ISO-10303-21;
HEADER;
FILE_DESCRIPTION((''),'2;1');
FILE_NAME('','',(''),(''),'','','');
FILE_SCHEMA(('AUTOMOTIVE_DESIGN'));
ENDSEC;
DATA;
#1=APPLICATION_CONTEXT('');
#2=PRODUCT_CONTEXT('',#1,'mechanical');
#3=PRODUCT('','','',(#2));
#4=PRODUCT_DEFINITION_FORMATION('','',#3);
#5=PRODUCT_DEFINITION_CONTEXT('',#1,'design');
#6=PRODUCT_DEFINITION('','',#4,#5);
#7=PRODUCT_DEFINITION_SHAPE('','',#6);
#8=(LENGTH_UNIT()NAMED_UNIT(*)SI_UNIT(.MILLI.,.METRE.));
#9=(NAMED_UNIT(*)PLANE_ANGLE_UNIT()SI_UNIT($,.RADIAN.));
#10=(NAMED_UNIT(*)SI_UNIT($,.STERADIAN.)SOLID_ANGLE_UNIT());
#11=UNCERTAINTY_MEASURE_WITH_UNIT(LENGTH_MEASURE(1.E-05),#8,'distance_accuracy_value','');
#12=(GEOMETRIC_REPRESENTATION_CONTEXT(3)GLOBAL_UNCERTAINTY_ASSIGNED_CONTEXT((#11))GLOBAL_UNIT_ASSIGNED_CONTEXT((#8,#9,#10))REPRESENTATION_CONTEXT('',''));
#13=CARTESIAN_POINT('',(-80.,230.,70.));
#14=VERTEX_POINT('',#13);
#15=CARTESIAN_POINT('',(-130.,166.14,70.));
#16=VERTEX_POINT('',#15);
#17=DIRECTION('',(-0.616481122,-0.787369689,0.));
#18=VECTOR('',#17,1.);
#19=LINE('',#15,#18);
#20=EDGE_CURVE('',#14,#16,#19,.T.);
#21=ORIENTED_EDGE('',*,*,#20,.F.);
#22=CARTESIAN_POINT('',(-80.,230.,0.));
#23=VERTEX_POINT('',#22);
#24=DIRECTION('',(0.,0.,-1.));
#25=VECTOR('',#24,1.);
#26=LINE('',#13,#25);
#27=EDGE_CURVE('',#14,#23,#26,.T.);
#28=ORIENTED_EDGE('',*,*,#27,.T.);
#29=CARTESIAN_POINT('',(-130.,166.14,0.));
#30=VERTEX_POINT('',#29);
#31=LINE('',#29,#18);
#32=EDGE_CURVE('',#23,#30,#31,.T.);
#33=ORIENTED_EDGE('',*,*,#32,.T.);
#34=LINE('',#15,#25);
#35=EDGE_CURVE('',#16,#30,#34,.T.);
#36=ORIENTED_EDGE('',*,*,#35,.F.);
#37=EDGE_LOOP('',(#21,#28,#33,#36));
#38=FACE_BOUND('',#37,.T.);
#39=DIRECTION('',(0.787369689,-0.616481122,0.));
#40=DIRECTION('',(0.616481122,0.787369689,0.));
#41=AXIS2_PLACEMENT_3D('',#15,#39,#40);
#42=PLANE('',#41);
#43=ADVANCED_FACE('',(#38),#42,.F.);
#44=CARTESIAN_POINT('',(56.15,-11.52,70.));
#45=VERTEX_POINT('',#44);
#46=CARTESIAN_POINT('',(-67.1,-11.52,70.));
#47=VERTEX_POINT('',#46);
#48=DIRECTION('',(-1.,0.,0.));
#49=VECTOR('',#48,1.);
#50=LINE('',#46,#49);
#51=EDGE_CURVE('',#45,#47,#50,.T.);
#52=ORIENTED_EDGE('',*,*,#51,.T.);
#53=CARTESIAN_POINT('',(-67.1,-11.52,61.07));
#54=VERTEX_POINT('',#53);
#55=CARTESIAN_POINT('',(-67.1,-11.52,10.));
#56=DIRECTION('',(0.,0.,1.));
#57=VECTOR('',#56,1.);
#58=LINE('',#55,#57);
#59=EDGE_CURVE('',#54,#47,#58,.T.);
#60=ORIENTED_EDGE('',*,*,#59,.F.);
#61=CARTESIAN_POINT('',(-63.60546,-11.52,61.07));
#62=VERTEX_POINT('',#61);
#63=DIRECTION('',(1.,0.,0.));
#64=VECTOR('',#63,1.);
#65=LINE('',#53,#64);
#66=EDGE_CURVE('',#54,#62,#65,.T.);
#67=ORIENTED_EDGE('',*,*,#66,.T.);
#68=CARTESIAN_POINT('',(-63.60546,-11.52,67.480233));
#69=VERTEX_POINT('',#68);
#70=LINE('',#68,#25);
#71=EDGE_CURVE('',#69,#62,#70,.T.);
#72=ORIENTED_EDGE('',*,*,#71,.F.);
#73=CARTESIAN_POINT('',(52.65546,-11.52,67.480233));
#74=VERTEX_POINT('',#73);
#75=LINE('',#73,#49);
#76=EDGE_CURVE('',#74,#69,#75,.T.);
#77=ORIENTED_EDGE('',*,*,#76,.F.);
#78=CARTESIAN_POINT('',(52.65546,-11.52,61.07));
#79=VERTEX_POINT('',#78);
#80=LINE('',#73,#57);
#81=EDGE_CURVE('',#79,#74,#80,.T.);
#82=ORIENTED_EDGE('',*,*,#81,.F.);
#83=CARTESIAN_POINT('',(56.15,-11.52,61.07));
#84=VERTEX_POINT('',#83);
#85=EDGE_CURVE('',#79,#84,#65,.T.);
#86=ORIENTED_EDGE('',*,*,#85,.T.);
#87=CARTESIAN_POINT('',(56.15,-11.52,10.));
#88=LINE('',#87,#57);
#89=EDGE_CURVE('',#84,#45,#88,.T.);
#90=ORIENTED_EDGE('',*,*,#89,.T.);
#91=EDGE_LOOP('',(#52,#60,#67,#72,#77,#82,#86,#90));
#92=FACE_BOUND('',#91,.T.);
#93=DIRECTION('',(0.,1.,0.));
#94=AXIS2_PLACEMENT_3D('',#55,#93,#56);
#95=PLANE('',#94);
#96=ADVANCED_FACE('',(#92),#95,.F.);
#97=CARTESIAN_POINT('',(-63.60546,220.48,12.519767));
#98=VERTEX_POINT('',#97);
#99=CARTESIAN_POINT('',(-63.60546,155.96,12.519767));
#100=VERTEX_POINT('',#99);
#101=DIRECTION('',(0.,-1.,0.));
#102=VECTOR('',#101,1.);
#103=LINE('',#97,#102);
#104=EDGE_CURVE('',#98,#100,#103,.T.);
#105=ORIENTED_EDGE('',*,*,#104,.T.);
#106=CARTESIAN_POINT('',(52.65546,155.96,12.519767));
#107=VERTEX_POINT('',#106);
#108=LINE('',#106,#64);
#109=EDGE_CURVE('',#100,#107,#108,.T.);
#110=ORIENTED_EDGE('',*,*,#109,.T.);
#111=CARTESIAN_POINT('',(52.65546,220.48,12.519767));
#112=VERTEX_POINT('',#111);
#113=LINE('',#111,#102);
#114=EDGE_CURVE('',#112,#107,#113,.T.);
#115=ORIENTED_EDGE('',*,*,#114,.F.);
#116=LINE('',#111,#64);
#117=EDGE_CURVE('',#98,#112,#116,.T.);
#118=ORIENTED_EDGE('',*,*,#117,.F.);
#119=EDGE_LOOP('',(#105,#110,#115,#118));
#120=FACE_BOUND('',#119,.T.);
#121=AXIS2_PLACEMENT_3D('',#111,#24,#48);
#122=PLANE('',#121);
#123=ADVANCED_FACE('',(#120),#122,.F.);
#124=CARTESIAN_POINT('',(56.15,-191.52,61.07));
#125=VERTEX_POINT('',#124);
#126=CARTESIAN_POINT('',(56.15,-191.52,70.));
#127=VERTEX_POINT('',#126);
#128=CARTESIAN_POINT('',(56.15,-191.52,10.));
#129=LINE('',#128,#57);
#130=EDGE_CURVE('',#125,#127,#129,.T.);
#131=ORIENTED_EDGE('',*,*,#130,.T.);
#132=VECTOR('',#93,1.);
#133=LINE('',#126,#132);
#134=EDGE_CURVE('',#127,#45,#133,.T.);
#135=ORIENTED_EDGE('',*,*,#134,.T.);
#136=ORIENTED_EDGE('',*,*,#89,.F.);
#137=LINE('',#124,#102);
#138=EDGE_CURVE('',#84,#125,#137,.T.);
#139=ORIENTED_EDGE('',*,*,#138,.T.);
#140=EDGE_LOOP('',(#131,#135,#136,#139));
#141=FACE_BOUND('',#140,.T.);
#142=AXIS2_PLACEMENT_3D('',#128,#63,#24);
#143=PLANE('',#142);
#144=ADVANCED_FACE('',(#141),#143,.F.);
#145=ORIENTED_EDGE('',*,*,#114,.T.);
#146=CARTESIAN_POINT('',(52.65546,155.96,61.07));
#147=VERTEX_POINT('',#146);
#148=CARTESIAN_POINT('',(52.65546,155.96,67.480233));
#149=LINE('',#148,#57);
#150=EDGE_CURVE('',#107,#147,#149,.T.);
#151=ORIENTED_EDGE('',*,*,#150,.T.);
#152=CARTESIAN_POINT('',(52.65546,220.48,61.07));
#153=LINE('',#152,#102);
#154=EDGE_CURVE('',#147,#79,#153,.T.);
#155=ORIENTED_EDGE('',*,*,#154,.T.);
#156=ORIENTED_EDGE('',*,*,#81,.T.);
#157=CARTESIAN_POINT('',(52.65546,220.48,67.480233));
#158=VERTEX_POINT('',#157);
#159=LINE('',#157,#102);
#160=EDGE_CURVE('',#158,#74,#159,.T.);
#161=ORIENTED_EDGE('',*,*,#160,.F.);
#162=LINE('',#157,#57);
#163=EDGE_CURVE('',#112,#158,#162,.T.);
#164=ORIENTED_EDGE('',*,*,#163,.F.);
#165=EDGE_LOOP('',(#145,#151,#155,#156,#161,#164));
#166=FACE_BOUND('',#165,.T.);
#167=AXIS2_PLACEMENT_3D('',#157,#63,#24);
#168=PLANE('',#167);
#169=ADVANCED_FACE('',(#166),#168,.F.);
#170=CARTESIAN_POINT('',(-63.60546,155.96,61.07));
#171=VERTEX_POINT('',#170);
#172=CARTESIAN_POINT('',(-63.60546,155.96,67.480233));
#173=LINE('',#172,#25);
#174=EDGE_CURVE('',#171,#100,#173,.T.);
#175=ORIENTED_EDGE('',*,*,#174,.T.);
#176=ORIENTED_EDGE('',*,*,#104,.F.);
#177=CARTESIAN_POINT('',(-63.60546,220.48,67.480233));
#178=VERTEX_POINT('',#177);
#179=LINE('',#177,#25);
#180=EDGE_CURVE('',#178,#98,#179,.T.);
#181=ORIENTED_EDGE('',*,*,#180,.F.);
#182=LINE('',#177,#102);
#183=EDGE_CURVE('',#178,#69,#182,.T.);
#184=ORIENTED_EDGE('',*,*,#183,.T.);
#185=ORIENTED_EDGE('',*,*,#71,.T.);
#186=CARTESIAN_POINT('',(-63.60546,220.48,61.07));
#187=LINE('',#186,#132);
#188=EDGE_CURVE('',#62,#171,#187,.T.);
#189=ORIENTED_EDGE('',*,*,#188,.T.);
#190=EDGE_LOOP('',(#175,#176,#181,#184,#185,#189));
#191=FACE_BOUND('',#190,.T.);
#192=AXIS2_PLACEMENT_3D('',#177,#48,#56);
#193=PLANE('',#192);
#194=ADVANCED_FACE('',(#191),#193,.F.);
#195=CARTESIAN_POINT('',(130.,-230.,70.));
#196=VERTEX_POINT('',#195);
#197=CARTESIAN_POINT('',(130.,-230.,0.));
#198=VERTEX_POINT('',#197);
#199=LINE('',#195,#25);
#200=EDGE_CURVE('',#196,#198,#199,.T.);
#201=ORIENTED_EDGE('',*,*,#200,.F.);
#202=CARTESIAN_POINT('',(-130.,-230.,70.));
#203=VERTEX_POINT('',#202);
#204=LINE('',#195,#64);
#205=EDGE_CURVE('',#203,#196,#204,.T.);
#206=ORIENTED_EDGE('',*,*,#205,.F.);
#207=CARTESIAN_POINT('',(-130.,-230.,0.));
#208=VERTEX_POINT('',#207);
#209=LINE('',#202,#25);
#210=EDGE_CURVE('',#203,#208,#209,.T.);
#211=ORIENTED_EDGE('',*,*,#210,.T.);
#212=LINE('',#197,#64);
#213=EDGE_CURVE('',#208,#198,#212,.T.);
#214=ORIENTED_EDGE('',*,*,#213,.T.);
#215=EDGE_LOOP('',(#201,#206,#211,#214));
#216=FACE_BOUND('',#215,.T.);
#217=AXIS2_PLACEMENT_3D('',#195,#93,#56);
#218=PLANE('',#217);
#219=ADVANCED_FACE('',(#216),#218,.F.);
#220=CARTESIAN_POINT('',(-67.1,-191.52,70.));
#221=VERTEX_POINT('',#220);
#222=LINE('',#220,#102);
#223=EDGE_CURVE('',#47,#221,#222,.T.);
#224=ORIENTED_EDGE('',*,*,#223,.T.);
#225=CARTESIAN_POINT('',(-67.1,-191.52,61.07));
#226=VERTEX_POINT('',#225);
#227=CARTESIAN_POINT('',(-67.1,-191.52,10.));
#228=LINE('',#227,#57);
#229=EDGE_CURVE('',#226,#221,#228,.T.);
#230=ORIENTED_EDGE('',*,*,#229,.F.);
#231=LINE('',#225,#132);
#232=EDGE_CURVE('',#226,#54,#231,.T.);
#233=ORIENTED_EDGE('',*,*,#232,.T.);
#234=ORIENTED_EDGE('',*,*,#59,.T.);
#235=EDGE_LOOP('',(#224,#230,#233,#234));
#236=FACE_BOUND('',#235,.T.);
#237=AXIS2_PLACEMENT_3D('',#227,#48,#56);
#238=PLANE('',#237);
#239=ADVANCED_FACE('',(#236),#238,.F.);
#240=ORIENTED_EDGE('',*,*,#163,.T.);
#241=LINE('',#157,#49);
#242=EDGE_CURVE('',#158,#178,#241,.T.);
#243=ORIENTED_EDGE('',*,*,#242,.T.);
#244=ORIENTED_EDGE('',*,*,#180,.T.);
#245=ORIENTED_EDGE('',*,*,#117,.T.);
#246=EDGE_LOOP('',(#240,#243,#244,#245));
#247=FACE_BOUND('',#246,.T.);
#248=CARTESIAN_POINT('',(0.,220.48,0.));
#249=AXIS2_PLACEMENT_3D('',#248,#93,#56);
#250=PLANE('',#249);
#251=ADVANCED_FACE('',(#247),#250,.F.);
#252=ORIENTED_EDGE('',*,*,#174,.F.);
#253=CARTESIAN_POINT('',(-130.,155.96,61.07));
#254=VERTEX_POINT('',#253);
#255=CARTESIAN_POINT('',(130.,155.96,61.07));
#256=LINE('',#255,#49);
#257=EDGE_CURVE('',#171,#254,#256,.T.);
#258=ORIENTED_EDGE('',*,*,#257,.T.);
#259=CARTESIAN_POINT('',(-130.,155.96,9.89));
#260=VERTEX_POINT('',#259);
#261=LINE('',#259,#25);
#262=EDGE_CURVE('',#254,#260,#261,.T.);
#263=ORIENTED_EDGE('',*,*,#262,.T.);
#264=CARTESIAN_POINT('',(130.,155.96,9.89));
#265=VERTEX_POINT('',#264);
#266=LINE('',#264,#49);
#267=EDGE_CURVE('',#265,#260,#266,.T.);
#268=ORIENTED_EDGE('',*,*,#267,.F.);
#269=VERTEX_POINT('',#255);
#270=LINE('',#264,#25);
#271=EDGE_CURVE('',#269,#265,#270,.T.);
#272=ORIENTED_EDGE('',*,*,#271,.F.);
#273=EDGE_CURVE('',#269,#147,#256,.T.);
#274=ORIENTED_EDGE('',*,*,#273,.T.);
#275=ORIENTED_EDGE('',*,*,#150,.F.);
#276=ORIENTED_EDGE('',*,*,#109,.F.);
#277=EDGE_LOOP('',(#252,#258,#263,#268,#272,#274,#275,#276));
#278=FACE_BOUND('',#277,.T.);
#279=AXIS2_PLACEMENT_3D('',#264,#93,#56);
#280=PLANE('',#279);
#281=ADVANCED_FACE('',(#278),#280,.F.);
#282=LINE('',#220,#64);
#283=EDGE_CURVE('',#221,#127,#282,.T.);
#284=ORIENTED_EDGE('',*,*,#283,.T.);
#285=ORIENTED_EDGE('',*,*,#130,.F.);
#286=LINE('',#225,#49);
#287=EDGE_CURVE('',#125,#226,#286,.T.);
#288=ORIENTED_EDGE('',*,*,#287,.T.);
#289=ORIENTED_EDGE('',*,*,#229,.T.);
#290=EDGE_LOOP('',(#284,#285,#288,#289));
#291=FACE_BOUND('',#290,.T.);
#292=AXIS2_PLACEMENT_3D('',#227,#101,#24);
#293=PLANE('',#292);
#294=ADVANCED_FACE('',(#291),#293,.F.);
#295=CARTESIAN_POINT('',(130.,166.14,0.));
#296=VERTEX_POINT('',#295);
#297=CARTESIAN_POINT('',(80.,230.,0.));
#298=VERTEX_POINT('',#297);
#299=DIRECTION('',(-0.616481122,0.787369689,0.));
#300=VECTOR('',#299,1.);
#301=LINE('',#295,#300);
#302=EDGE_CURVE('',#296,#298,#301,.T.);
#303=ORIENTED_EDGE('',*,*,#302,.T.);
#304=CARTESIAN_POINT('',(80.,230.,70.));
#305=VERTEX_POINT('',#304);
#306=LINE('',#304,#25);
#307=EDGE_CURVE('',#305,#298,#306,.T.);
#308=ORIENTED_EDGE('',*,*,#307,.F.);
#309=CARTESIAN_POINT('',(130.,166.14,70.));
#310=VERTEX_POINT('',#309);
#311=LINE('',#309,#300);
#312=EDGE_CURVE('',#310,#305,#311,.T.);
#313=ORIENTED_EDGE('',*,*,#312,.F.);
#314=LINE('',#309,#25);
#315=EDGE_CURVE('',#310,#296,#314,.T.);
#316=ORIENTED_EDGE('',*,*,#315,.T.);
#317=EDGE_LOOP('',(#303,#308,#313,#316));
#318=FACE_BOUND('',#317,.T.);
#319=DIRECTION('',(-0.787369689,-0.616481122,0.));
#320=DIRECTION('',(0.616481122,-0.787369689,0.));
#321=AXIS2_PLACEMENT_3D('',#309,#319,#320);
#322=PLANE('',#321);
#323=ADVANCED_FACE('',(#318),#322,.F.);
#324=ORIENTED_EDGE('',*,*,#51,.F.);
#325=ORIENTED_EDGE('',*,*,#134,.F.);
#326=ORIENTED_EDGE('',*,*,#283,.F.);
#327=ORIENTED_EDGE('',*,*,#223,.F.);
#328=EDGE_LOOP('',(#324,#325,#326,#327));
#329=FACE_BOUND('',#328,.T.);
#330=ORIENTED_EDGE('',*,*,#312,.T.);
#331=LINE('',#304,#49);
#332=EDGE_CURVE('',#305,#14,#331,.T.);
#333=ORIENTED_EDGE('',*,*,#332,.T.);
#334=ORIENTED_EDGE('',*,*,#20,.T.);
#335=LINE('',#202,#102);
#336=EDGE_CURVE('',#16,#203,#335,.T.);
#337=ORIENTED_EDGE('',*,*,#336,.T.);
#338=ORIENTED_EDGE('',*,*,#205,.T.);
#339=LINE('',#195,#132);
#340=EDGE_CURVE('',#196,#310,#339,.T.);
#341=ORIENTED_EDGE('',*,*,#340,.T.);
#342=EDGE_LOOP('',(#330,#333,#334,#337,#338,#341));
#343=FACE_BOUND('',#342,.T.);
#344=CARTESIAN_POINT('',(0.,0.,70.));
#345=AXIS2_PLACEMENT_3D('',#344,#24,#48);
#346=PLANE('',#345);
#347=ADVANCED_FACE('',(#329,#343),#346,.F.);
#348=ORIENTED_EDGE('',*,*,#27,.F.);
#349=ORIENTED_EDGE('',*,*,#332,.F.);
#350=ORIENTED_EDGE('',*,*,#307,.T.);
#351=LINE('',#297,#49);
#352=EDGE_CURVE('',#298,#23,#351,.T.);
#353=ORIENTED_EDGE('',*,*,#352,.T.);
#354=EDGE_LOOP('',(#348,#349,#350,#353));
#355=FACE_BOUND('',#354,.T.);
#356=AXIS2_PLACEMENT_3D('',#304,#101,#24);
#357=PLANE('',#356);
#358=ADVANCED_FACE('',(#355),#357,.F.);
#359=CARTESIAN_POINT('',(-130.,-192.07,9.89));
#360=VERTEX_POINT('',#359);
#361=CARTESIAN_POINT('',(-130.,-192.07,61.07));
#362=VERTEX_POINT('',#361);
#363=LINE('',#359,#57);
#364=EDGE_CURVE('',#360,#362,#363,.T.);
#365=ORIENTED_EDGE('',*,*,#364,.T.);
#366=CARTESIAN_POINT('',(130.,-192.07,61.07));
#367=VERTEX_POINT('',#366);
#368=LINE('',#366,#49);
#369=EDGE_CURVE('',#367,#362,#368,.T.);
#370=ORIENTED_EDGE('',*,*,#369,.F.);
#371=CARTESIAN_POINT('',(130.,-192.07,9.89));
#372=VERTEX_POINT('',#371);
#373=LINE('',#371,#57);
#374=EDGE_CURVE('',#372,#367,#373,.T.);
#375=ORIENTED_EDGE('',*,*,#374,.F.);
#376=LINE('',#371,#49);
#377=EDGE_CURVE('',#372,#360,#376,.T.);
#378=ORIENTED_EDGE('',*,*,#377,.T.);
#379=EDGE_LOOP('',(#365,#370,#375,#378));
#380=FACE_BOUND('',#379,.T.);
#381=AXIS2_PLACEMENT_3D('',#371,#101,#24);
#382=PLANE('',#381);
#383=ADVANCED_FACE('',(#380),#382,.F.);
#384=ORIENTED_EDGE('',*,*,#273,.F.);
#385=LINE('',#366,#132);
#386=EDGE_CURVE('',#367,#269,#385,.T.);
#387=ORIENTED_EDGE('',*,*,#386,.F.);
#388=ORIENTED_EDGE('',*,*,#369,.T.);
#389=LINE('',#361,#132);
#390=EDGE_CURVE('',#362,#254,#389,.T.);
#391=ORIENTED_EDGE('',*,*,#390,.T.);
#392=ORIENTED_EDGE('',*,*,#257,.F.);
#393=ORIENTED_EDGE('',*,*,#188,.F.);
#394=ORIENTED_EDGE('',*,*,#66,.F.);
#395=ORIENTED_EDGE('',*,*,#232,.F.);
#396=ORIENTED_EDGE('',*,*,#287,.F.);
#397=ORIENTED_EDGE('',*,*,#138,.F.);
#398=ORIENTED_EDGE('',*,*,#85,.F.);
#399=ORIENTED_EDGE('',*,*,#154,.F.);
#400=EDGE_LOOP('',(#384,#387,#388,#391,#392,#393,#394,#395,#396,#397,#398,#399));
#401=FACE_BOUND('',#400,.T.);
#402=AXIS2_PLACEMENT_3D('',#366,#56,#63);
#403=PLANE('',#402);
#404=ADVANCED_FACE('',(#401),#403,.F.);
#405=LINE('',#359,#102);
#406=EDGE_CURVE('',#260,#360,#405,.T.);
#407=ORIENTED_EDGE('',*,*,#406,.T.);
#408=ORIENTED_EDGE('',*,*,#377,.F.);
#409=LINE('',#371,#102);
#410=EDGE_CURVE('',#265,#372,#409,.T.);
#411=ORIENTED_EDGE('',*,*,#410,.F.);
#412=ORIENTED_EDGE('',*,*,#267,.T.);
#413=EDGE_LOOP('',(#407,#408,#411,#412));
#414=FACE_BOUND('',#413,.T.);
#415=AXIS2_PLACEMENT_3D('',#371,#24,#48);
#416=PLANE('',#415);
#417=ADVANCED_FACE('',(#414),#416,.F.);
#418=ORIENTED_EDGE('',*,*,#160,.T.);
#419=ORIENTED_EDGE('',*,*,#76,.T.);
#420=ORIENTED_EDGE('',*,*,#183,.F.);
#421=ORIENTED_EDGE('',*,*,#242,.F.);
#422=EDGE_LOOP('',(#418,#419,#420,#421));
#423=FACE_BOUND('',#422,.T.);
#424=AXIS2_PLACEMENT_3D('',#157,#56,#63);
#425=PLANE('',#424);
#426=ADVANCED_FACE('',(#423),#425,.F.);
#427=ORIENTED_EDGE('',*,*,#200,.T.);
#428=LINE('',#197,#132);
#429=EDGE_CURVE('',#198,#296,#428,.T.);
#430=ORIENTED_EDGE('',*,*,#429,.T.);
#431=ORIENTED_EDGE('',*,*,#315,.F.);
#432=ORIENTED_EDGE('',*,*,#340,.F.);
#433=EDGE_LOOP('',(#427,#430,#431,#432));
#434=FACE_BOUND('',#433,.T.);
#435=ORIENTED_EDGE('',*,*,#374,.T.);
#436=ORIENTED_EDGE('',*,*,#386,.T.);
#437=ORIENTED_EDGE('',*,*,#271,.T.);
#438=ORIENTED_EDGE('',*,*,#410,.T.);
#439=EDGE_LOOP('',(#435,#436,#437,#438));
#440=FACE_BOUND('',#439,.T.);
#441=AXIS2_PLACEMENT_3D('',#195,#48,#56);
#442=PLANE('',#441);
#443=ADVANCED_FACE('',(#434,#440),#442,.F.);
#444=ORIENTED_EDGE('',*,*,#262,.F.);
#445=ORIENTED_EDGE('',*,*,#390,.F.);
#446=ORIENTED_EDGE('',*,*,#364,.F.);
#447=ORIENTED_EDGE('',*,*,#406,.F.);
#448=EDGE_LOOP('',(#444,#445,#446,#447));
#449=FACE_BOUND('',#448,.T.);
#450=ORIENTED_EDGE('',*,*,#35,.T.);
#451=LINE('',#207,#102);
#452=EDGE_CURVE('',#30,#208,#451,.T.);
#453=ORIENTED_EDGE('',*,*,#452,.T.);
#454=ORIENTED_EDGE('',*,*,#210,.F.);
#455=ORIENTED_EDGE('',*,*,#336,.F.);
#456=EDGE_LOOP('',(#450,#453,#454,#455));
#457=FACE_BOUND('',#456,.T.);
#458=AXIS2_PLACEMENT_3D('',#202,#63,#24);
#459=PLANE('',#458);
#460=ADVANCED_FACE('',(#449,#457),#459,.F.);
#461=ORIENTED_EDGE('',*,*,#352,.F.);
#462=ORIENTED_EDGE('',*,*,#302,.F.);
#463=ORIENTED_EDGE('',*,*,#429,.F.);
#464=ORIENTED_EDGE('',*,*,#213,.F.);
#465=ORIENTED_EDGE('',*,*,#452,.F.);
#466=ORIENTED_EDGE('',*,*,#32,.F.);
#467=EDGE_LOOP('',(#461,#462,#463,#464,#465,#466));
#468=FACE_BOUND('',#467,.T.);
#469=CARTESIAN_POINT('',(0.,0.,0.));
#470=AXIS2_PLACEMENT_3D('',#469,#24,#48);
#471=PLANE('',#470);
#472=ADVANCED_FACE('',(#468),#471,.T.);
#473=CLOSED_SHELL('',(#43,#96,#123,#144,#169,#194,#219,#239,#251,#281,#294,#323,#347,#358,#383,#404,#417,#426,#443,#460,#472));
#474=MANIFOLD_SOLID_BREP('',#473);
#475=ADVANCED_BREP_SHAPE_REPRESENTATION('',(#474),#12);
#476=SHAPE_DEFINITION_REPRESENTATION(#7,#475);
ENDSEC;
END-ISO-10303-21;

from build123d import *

# Parameters (mm, degrees)
BOSS_EXTRUDE1_DEPTH = 70
SKETCH2_W           = 123.25
SKETCH2_H           = 180
CUT_EXTRUDE1_DEPTH  = 60
SKETCH3_W           = 116.2609192
SKETCH3_H           = 54.96046542
CUT_EXTRUDE2_DEPTH  = 232
SKETCH4_W           = 51.18
SKETCH4_H           = 348.03
CUT_EXTRUDE3_DEPTH  = 260


with BuildPart() as part:
    # Sketch1 → Boss-Extrude1 (new body)
    with BuildSketch(Plane.XY):
        Polygon((130, -230), (-130, -230), (-130, 166.14), (-80, 230), (80, 230), (130, 166.14), align=None)
    extrude(amount=BOSS_EXTRUDE1_DEPTH)

    # Sketch2 → Cut-Extrude1 (cut)
    with BuildSketch(Plane.XY.offset(70)):
        with Locations((-5.475, -101.52)):
            Rectangle(SKETCH2_W, SKETCH2_H)
    extrude(amount=-CUT_EXTRUDE1_DEPTH, mode=Mode.SUBTRACT)

    # Sketch3 → Cut-Extrude2 (cut)
    with BuildSketch(Plane.XZ.offset(11.52)):
        with Locations((-5.475, 40)):
            Rectangle(SKETCH3_W, SKETCH3_H)
    extrude(amount=-CUT_EXTRUDE2_DEPTH, mode=Mode.SUBTRACT)

    # Sketch4 → Cut-Extrude3 (cut)
    with BuildSketch(Plane.ZY.offset(130)):
        with Locations((35.48, -18.055)):
            Rectangle(SKETCH4_W, SKETCH4_H)
    extrude(amount=-CUT_EXTRUDE3_DEPTH, mode=Mode.SUBTRACT)


solid = part.part
